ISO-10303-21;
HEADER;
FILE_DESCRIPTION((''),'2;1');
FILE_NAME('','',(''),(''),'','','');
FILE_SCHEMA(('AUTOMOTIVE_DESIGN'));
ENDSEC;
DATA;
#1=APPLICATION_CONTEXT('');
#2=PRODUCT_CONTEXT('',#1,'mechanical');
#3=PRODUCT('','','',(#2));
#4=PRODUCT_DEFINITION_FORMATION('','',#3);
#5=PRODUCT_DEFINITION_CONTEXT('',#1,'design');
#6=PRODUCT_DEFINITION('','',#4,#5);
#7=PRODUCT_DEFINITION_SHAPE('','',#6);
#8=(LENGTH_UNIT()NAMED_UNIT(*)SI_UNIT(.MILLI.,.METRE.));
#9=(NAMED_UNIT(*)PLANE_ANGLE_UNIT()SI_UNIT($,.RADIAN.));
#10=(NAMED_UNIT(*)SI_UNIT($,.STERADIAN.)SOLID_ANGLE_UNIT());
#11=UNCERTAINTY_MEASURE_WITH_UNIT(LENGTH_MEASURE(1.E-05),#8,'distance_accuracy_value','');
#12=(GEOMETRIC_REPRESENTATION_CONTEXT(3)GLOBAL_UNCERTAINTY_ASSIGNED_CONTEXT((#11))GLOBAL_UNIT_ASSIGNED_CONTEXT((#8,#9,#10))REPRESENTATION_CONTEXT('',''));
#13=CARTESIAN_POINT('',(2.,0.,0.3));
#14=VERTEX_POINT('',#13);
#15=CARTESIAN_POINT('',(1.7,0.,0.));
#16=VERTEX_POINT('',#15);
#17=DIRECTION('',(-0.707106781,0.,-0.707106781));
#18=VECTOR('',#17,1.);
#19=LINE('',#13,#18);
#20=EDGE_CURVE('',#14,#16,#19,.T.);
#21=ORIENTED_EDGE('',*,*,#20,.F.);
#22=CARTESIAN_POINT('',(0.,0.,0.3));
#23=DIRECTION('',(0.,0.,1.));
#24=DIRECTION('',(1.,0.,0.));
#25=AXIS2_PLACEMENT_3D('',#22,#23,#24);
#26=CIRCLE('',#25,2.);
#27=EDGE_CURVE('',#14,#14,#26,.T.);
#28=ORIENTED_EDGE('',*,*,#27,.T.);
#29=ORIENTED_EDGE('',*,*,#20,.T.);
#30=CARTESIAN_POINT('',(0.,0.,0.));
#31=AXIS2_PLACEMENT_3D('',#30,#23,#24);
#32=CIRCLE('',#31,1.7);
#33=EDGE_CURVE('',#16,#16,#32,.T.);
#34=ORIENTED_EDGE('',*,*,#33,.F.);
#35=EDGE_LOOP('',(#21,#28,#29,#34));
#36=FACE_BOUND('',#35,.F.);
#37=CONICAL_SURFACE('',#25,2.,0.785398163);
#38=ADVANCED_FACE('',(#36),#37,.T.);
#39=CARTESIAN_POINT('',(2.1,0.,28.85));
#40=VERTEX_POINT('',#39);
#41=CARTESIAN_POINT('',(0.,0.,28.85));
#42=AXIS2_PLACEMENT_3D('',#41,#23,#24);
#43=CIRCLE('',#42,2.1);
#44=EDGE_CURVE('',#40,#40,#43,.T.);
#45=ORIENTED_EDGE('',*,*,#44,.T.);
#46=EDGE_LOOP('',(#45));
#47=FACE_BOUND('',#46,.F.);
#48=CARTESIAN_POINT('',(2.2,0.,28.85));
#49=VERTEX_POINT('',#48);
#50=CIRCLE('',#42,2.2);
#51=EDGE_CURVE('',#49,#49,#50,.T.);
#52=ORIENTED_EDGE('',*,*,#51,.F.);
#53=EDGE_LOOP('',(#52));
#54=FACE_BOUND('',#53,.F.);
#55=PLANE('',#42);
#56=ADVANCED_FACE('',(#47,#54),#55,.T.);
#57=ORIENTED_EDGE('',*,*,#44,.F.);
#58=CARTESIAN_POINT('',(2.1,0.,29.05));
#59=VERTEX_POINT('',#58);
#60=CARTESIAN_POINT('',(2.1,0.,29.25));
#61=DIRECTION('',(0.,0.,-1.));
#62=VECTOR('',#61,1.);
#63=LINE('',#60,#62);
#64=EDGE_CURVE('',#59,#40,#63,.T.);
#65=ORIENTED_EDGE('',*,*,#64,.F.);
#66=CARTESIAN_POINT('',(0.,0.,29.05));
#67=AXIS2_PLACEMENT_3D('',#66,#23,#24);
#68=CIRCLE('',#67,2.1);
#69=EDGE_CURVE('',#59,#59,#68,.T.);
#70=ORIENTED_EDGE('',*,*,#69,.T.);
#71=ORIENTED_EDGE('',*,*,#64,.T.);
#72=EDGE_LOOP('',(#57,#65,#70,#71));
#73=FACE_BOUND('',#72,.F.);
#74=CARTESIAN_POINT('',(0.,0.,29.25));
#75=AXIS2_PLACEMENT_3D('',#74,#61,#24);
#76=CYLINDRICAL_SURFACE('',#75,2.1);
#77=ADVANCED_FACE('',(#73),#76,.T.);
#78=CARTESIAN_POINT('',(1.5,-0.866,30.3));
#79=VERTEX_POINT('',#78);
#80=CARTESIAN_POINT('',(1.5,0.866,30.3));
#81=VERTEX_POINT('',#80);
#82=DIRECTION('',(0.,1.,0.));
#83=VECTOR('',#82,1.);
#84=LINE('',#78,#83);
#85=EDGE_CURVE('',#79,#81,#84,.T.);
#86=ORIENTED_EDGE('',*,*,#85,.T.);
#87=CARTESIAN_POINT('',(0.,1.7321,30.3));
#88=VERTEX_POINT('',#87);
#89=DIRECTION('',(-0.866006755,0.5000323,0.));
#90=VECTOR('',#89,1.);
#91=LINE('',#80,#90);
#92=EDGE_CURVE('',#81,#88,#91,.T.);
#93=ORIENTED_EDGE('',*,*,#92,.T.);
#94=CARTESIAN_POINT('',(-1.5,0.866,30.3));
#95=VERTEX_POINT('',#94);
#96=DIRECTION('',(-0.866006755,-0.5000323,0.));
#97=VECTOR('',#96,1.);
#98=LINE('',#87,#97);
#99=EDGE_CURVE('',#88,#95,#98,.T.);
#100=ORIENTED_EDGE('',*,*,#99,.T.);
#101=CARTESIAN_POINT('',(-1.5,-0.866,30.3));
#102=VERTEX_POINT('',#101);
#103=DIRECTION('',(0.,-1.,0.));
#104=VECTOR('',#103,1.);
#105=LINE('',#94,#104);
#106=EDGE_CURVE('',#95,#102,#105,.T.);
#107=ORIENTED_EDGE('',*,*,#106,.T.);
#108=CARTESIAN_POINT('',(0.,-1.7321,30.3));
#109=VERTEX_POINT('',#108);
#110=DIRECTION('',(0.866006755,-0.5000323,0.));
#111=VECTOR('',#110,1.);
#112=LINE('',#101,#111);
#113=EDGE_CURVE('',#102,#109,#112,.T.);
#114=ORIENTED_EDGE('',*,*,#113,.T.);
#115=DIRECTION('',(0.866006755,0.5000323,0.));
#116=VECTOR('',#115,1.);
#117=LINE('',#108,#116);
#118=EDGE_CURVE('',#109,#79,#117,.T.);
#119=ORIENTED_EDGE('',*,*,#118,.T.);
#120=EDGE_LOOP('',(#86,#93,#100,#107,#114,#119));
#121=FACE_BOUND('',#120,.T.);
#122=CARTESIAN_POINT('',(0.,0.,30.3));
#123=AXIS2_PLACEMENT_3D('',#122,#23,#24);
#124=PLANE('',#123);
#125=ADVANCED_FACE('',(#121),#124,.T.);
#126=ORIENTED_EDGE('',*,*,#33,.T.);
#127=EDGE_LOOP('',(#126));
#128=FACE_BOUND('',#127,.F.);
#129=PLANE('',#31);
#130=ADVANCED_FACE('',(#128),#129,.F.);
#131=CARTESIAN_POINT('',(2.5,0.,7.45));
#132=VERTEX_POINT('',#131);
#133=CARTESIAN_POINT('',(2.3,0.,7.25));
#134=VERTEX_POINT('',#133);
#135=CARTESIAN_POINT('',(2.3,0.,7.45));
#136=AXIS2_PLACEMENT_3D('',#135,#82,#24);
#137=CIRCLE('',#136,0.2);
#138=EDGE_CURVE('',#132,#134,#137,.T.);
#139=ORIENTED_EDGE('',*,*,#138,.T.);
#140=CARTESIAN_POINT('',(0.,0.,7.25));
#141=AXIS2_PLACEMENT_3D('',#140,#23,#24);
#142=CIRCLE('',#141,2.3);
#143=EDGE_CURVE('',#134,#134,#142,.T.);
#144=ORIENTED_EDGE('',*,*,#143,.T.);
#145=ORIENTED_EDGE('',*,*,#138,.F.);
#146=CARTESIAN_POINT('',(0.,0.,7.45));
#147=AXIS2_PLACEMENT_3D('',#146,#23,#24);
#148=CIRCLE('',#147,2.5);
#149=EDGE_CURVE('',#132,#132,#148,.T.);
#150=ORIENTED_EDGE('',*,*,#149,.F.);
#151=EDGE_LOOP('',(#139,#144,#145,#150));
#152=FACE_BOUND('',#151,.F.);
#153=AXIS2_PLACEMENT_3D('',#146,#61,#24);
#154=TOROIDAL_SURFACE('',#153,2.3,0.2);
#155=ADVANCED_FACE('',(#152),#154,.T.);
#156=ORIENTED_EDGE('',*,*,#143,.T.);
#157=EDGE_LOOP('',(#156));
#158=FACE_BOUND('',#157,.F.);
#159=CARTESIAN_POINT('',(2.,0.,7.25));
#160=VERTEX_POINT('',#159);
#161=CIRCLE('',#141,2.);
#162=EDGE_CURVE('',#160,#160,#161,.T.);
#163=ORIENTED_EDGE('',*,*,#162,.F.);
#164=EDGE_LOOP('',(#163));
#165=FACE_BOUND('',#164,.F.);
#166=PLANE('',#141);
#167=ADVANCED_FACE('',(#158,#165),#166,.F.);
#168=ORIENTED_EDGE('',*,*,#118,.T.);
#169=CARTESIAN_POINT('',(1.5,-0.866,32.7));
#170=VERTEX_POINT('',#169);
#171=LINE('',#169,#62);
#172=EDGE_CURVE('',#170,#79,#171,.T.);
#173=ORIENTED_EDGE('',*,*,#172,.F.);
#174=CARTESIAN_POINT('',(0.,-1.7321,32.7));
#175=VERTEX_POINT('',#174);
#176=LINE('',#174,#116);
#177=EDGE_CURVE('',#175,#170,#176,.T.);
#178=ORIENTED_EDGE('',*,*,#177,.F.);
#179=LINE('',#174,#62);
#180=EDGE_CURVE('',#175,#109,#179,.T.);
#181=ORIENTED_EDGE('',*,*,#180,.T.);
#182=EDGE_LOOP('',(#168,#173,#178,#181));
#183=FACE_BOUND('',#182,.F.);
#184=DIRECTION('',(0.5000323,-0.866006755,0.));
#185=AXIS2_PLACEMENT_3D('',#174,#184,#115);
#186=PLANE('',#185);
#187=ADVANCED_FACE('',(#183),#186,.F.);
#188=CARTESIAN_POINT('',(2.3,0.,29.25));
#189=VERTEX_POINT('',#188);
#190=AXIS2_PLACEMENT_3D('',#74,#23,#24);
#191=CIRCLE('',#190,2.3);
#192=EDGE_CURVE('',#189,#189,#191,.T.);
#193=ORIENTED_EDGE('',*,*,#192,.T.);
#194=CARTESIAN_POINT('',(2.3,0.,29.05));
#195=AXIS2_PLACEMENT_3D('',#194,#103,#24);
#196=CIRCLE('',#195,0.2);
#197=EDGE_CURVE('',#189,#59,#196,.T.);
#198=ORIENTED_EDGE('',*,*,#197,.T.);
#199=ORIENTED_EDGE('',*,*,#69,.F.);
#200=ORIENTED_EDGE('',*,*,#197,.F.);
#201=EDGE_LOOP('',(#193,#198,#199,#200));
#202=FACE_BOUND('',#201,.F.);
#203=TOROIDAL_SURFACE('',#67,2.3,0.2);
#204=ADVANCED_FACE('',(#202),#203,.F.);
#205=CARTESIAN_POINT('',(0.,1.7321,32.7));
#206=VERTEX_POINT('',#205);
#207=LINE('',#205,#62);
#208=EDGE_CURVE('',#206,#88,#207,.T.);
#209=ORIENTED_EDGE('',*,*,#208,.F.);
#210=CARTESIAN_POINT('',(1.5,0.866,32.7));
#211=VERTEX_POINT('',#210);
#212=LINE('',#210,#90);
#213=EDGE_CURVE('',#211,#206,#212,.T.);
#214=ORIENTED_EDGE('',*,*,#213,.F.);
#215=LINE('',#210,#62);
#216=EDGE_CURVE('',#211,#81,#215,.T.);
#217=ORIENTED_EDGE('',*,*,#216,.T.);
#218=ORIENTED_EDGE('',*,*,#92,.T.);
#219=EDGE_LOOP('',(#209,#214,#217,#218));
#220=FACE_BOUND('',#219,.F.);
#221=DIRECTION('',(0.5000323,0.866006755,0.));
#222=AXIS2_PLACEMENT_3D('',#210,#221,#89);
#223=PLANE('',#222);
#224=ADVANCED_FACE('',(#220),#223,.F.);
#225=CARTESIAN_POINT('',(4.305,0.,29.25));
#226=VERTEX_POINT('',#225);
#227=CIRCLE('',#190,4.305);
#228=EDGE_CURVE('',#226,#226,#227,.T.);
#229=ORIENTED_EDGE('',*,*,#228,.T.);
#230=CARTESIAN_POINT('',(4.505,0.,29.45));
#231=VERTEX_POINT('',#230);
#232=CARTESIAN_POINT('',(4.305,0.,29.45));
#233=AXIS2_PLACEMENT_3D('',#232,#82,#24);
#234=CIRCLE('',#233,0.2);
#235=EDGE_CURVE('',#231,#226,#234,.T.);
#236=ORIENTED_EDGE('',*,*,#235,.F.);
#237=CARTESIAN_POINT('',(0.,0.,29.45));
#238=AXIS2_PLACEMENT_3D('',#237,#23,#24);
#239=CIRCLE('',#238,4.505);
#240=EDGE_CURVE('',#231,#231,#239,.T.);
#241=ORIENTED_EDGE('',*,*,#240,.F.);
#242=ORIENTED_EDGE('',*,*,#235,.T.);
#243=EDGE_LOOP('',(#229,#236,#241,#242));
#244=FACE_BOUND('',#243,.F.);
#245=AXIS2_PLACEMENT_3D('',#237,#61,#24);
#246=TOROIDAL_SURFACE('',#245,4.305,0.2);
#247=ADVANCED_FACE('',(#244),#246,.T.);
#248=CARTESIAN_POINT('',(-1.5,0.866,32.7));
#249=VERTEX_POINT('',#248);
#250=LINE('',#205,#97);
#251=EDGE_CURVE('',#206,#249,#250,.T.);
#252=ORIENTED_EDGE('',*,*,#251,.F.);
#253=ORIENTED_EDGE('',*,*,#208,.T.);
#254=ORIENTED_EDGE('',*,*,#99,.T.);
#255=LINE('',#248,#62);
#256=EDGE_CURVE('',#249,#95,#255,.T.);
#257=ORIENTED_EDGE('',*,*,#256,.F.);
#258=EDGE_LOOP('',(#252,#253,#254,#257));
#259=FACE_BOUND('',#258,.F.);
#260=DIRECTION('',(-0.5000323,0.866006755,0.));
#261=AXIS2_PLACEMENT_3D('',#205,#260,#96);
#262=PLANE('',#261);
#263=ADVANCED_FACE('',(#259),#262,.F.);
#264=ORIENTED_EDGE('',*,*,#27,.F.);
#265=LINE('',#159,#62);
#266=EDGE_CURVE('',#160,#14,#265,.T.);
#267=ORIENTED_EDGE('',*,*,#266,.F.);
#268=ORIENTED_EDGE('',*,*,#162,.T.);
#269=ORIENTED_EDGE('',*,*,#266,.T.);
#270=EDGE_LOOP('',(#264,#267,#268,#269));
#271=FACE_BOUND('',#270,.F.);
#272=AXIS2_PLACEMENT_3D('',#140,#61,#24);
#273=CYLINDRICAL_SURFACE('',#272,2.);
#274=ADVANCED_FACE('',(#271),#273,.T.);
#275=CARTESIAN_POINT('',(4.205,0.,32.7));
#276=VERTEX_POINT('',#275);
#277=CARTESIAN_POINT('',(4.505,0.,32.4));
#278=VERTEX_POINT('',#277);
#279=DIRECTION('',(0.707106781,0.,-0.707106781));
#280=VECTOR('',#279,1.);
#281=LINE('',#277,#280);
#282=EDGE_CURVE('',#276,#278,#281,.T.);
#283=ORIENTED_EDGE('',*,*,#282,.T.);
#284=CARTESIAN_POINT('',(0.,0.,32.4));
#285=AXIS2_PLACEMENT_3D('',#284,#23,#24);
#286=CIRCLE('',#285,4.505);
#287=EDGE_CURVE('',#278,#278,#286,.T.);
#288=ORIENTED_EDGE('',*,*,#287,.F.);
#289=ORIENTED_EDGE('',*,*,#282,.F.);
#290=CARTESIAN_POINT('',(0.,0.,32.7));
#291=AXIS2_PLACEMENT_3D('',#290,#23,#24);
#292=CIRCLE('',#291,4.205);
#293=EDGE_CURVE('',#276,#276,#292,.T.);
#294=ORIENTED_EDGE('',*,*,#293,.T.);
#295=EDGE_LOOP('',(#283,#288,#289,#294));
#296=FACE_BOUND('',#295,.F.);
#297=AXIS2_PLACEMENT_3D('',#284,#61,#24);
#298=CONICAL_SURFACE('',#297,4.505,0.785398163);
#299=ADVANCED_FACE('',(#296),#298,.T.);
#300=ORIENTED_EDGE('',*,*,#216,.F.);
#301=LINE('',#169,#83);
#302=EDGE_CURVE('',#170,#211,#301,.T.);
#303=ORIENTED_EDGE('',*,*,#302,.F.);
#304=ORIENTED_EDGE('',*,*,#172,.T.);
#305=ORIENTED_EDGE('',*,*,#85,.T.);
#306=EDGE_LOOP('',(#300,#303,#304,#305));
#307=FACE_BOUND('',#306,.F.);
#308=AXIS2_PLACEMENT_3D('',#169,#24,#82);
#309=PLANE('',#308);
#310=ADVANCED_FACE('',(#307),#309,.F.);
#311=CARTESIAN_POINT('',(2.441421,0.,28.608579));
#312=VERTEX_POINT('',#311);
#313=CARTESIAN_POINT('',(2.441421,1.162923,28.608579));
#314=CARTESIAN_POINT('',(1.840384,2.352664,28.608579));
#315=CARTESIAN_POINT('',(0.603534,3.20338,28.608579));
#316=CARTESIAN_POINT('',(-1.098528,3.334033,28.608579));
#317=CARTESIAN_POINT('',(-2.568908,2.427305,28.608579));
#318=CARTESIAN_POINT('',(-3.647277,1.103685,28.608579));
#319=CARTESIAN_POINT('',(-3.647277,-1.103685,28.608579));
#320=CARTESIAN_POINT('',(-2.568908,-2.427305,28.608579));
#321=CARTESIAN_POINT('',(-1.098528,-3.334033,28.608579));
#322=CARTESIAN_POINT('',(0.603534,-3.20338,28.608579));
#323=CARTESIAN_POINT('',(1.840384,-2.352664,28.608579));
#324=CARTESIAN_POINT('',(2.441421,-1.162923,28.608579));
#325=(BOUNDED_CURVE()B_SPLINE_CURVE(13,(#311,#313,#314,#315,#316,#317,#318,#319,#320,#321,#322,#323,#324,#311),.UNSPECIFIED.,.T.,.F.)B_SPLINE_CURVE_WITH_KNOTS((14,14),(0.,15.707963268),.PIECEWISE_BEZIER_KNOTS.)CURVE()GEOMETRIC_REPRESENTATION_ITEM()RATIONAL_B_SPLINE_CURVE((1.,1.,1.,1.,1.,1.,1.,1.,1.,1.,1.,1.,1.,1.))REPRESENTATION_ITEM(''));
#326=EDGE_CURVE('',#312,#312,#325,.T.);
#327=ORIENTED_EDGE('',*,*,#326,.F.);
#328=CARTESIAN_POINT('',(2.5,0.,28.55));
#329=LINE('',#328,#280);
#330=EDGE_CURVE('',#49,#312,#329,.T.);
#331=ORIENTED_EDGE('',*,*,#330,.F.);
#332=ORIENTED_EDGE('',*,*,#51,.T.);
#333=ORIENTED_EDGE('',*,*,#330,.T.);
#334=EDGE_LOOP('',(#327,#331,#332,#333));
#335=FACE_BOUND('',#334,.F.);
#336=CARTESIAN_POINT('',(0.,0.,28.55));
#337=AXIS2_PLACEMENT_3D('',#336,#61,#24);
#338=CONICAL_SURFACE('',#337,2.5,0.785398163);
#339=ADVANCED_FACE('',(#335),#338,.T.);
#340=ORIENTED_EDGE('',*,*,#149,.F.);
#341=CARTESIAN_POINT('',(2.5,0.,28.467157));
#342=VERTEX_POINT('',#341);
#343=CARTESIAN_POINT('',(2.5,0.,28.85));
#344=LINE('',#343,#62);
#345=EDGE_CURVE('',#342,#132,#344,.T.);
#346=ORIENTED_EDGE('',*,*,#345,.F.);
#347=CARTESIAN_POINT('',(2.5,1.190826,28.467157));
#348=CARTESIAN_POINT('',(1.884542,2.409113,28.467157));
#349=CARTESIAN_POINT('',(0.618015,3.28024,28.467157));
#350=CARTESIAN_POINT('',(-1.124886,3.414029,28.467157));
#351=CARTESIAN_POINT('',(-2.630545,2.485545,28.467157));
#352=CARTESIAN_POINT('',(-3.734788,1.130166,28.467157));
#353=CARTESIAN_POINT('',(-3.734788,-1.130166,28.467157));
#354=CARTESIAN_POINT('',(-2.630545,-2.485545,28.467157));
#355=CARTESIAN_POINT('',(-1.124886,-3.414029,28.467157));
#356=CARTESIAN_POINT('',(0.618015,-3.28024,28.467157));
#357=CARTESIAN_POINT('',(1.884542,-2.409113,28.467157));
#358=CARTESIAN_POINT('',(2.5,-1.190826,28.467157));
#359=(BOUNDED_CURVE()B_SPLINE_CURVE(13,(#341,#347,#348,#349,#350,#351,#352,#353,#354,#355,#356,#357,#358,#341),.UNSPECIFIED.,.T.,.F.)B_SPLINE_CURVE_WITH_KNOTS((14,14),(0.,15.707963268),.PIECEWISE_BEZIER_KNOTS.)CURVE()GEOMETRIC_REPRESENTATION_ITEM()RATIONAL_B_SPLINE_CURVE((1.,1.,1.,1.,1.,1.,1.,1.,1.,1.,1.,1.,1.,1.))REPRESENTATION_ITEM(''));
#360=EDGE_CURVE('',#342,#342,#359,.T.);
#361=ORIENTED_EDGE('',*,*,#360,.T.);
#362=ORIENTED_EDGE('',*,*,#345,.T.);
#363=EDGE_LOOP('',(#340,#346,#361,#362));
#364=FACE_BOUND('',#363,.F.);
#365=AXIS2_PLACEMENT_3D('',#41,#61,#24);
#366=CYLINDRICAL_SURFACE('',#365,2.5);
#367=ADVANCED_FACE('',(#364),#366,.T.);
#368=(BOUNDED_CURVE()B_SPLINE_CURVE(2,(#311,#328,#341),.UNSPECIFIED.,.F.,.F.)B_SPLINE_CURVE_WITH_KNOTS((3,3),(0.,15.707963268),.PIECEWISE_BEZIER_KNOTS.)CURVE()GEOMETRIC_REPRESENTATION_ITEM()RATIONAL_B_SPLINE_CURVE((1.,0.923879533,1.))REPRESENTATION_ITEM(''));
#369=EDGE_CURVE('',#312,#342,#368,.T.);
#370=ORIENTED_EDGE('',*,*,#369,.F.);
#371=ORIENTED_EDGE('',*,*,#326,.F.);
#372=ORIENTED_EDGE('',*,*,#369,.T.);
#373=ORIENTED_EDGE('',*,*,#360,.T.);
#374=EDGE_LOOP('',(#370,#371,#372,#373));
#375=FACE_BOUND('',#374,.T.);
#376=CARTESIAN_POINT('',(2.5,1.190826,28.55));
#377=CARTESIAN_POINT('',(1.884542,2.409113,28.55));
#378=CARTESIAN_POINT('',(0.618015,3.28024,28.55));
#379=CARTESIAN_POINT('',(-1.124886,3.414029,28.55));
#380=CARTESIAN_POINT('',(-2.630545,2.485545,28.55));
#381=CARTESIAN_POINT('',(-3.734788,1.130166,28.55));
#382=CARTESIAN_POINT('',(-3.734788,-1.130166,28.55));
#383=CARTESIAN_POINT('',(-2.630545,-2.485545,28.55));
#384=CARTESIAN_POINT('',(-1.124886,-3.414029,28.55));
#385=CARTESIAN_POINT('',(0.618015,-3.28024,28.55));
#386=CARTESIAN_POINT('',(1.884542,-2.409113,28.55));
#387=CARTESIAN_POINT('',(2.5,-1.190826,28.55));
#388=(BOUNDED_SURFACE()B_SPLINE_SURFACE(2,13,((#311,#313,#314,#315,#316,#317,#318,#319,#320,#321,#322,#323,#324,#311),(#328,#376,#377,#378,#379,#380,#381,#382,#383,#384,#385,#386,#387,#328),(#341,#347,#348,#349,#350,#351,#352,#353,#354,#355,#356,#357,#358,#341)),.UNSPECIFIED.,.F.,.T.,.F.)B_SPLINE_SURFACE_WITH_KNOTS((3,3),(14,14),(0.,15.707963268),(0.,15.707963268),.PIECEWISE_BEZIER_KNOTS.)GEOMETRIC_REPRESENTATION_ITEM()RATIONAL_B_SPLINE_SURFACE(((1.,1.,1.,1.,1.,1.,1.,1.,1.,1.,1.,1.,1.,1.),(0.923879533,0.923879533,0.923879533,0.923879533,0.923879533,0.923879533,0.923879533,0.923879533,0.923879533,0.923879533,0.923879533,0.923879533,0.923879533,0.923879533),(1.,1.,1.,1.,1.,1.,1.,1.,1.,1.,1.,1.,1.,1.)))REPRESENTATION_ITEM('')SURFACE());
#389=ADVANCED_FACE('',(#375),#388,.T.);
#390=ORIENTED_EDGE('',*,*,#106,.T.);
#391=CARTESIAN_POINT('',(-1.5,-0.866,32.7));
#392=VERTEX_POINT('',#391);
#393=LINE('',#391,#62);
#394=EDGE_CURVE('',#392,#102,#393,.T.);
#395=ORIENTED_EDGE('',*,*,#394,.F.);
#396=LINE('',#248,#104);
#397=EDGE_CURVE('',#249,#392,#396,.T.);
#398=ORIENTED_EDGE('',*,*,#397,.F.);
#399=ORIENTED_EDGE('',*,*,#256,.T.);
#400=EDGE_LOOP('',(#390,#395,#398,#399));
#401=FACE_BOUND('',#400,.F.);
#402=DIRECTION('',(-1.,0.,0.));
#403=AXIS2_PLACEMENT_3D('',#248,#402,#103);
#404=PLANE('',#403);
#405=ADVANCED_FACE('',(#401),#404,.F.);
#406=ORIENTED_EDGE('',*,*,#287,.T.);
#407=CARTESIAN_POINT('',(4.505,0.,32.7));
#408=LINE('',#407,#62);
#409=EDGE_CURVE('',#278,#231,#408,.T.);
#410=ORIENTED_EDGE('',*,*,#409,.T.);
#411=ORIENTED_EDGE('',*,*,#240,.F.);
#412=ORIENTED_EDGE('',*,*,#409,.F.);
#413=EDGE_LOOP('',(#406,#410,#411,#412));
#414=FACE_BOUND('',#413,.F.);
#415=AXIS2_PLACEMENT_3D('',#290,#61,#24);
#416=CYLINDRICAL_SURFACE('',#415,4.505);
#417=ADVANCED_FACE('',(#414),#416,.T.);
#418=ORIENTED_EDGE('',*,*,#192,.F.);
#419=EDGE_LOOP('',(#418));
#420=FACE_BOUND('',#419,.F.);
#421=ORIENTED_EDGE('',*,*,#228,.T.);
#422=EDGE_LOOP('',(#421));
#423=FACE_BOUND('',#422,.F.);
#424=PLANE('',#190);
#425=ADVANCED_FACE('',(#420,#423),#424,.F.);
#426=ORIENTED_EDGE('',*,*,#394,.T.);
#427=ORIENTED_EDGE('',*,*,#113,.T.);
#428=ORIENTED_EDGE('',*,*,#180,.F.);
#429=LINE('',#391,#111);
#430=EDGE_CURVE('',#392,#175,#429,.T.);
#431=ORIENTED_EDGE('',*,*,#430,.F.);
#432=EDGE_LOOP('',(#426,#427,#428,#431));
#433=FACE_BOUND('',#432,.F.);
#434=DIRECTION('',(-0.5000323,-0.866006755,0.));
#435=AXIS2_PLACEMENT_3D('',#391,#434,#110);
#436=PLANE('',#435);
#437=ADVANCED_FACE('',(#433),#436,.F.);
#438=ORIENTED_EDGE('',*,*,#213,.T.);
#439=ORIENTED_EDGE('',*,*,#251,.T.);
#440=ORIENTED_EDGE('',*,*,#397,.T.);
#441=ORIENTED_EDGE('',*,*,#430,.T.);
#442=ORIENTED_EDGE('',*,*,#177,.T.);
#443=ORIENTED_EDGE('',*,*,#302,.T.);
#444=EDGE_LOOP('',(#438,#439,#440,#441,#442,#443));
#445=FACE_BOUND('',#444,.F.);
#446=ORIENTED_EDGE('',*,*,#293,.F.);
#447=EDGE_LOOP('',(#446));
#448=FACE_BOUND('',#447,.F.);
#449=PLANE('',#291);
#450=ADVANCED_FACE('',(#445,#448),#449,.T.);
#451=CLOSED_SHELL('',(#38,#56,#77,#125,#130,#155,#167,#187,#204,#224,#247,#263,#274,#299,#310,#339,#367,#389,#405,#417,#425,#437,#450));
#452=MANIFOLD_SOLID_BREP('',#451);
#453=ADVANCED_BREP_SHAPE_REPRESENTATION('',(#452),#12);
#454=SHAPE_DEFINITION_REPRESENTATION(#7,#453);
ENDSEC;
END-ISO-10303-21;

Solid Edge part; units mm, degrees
sketch "Sketch1" plane through (0, 0, 0) normal (0, -1, 0) x (1, 0, 0)
  line L0 (0, 32.7) -> (4.505, 32.7)
  line L1 (4.505, 32.7) -> (4.505, 29.25)
  line L2 (4.505, 29.25) -> (2.1, 29.25)
  line L3 (2.1, 29.25) -> (2.1, 28.85)
  line L4 (2.1, 28.85) -> (2.5, 28.85)
  line L5 (2.5, 28.85) -> (2.5, 7.25)
  line L6 (2.5, 7.25) -> (2, 7.25)
  line L7 (2, 7.25) -> (2, 0)
  line L8 (2, 0) -> (0, 0)
  dimension "D1" = 4.505
  dimension "D2" = 3.45
  dimension "D3" = 22
  dimension "D4" = 0.4
  dimension "D5" = 7.25
  dimension "D6" = 2.5
  dimension "D7" = 2
revolve "RevolvedProtrusion1" add sketch "Sketch1" angle 360 about axis through (0, 0, 0) along (0, 0, 1)
chamfer "Chamfer1" distance 0.3 angle 45 3 edges at (-2.5, 0, 28.85) (-4.505, 0, 32.7) (-2, 0, 0)
fillet "Round_1" radius 0.2 4 edges at (-4.505, 0, 29.25) (-2.1, 0, 29.25) (-2.5, 0, 7.25) (-2.5, 0, 28.55)
sketch "Sketch2" plane through (0, 0, 32.7) normal (0, 0, 1) x (1, 0, 0)
  line L0 (1.5, 0.866) -> (0, 1.7321)
  line L1 (0, 1.7321) -> (-1.5, 0.866)
  line L2 (-1.5, 0.866) -> (-1.5, -0.866)
  line L3 (-1.5, -0.866) -> (0, -1.7321)
  line L4 (0, -1.7321) -> (1.5, -0.866)
  line L5 (1.5, -0.866) -> (1.5, 0.866)
  dimension "D1" = 3
extrude "ExtrudedCutout_1" cut sketch "Sketch2" against normal blind 2.4
properties material "Stainless Steel, 304"
